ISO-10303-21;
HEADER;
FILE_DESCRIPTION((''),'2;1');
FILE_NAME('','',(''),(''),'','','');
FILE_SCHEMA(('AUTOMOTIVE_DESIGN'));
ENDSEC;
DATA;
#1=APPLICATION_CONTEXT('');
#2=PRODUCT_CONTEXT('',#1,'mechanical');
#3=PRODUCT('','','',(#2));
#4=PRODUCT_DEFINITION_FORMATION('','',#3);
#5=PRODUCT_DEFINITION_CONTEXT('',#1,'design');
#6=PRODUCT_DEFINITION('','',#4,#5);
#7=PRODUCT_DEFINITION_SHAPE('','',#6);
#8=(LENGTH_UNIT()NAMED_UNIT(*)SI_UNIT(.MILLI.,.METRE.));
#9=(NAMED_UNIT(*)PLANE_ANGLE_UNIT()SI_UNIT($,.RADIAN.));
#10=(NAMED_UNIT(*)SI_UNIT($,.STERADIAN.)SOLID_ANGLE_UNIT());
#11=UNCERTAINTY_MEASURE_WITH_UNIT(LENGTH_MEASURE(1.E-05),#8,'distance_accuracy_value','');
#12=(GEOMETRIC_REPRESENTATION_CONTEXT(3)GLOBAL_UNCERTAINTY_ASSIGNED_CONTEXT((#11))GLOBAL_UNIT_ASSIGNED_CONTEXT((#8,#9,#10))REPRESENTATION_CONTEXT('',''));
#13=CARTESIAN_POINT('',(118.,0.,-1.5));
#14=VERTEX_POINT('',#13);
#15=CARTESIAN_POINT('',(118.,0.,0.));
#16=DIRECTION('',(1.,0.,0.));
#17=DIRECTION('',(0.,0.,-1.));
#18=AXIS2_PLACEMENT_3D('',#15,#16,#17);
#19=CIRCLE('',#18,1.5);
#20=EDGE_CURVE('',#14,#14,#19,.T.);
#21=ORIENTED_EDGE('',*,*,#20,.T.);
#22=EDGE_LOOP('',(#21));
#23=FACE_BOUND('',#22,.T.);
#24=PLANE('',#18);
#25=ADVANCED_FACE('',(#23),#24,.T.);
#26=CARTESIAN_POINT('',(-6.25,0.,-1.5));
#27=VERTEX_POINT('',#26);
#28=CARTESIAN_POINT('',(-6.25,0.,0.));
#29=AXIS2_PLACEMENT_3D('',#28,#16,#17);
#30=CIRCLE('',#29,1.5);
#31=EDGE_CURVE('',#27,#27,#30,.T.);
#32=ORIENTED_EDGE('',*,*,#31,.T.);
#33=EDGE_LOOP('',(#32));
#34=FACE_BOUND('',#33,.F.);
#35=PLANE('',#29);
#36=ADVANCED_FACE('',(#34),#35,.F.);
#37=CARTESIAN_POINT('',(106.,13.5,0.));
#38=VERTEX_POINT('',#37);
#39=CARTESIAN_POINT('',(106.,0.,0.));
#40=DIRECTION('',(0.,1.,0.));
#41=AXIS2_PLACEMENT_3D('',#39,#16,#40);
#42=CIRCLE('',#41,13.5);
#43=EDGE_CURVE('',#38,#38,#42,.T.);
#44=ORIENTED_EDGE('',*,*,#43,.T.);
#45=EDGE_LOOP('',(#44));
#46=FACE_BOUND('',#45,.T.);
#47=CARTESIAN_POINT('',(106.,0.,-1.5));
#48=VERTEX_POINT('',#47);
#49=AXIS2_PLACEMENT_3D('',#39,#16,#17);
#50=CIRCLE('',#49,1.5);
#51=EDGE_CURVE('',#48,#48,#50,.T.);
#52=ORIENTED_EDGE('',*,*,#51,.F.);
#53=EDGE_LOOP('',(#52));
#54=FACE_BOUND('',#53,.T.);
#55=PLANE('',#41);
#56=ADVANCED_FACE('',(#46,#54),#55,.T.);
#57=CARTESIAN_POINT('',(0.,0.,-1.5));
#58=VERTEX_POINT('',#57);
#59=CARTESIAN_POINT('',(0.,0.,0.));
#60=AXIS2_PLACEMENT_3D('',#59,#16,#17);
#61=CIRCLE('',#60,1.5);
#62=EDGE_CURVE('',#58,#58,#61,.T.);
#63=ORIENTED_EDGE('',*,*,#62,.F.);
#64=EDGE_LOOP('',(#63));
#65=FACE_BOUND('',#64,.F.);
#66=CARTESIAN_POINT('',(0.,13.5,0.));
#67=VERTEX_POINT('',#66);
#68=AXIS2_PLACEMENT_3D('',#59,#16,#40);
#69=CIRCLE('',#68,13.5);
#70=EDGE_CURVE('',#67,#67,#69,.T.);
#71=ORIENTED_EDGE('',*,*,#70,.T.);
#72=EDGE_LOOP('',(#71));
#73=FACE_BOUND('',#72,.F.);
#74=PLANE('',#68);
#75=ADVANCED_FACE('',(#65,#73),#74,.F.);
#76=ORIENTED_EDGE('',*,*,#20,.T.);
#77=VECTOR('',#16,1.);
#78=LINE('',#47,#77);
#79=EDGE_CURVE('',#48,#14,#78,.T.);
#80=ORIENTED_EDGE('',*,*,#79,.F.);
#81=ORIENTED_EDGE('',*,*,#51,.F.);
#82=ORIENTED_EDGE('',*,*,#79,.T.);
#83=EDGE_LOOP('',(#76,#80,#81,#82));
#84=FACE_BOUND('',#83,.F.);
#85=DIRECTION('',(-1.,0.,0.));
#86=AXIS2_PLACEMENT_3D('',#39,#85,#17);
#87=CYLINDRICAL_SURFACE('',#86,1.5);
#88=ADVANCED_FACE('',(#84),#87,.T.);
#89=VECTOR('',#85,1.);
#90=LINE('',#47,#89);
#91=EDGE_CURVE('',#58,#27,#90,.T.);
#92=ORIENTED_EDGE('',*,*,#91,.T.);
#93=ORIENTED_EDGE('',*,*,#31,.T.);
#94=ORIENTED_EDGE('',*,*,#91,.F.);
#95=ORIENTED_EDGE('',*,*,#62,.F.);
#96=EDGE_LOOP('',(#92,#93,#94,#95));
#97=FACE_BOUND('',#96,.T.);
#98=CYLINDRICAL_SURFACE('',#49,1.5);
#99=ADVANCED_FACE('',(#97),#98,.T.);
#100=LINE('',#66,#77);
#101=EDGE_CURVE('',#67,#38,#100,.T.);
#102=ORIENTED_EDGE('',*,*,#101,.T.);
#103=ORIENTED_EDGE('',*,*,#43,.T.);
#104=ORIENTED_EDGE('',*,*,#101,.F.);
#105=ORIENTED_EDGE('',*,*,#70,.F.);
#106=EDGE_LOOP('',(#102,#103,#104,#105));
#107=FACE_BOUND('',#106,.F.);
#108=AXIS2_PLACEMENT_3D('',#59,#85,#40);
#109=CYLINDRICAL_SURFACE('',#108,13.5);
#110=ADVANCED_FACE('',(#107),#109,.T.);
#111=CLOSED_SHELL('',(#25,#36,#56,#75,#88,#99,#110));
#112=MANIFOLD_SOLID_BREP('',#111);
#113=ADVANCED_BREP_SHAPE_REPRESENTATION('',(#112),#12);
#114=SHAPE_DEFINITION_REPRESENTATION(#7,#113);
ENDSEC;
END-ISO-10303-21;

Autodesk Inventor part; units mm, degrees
ref_plane "YZ Plane" through (0, 0, 0) normal (1, 0, 0) x (0, 1, 0)
ref_plane "XZ Plane" through (0, 0, 0) normal (0, 1, 0) x (-1, 0, 0)
ref_plane "XY Plane" through (0, 0, 0) normal (0, 0, 1) x (1, 0, 0)
sketch "Sketch1" plane through (0, 0, 0) normal (1, 0, 0) x (0, 1, 0)
  circle A0 centre (0, 0) radius 13.5
  dimension "d0" = 27
extrude "Extrusion1" add sketch "Sketch1" along normal blind 106
sketch "Sketch2" plane through (106, 0, 0) normal (1, 0, 0) x (0, 0, -1)
  circle A0 centre (0, 0) radius 1.5
  dimension "d3" = 3
extrude "Extrusion2" add sketch "Sketch2" along normal blind 12 and the other way blind 112.25
properties part number "ROLLER"
